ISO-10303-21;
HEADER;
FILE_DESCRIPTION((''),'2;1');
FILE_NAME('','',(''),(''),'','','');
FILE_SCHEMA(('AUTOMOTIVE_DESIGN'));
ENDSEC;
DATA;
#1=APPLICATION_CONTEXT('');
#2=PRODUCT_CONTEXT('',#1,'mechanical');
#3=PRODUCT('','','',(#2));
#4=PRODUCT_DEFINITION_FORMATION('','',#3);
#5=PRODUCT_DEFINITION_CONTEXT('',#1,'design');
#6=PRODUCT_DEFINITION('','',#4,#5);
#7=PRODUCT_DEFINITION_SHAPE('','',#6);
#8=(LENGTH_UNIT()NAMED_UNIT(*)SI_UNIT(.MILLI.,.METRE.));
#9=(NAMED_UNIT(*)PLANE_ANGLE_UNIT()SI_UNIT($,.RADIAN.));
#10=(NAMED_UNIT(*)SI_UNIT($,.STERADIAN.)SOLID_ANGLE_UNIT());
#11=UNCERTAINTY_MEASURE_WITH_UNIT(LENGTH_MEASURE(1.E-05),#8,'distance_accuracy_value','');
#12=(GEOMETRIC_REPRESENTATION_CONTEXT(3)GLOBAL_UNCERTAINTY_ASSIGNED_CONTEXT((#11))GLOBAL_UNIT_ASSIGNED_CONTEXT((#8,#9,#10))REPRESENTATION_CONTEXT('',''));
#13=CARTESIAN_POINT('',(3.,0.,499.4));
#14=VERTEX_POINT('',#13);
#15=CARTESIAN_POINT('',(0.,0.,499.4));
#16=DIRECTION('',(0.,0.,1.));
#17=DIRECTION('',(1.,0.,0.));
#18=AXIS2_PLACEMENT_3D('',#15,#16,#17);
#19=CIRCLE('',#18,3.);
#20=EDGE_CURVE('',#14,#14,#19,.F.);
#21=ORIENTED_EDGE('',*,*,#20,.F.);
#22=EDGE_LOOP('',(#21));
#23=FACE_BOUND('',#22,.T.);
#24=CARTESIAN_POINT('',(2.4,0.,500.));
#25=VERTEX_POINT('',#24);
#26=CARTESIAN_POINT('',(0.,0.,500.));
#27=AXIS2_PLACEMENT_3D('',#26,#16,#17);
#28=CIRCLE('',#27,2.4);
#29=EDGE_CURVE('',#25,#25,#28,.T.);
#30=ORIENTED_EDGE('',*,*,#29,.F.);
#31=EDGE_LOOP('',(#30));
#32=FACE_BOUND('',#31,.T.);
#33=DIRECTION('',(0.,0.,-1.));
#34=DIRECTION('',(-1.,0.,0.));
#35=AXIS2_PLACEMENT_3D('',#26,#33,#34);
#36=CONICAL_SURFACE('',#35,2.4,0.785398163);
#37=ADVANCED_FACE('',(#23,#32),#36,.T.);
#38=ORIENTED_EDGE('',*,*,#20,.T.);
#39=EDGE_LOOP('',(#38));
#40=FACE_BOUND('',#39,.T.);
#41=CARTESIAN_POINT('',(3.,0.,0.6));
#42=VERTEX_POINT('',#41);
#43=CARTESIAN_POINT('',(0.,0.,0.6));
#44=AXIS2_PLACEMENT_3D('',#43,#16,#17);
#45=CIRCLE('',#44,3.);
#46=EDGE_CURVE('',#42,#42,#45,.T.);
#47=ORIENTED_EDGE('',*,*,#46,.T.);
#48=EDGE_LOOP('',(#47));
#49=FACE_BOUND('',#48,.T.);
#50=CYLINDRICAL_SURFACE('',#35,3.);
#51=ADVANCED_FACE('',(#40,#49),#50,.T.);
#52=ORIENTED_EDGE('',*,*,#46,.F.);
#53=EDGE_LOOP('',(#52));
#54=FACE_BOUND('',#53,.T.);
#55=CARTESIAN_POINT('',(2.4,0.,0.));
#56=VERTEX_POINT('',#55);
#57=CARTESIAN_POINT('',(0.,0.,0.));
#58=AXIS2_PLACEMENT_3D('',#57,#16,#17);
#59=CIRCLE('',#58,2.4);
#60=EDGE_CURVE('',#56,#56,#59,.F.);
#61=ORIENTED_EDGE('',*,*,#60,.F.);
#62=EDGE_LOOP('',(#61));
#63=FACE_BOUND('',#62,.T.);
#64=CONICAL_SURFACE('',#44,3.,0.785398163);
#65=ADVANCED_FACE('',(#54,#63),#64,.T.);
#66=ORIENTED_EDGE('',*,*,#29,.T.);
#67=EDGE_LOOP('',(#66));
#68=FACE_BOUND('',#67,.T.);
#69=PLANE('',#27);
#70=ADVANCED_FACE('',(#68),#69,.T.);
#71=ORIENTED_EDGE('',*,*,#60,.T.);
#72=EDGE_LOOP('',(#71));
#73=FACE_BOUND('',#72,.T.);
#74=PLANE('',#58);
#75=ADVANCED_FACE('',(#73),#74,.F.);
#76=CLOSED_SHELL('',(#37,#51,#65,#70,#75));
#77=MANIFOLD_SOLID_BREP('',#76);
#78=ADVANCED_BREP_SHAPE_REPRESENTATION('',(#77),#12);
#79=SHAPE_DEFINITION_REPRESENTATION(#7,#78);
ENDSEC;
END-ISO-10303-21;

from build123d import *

# Parameters (mm, degrees)
ESQUISSE1_R        = 3
BOSS_EXTRU_1_DEPTH = 500
CHANFREIN1_SIZE    = 0.6


with BuildPart() as part:
    # Esquisse1 → Boss.-Extru.1 (new body)
    with BuildSketch(Plane.XY):
        Circle(ESQUISSE1_R)
    extrude(amount=BOSS_EXTRU_1_DEPTH)

    # Chanfrein1
    chanfrein1_edges = [part.edges().sort_by_distance(p)[0] for p in [
        (-3, 0, 0),
        (-3, 0, 500),
    ]]
    chamfer(chanfrein1_edges, length=CHANFREIN1_SIZE)


solid = part.part
